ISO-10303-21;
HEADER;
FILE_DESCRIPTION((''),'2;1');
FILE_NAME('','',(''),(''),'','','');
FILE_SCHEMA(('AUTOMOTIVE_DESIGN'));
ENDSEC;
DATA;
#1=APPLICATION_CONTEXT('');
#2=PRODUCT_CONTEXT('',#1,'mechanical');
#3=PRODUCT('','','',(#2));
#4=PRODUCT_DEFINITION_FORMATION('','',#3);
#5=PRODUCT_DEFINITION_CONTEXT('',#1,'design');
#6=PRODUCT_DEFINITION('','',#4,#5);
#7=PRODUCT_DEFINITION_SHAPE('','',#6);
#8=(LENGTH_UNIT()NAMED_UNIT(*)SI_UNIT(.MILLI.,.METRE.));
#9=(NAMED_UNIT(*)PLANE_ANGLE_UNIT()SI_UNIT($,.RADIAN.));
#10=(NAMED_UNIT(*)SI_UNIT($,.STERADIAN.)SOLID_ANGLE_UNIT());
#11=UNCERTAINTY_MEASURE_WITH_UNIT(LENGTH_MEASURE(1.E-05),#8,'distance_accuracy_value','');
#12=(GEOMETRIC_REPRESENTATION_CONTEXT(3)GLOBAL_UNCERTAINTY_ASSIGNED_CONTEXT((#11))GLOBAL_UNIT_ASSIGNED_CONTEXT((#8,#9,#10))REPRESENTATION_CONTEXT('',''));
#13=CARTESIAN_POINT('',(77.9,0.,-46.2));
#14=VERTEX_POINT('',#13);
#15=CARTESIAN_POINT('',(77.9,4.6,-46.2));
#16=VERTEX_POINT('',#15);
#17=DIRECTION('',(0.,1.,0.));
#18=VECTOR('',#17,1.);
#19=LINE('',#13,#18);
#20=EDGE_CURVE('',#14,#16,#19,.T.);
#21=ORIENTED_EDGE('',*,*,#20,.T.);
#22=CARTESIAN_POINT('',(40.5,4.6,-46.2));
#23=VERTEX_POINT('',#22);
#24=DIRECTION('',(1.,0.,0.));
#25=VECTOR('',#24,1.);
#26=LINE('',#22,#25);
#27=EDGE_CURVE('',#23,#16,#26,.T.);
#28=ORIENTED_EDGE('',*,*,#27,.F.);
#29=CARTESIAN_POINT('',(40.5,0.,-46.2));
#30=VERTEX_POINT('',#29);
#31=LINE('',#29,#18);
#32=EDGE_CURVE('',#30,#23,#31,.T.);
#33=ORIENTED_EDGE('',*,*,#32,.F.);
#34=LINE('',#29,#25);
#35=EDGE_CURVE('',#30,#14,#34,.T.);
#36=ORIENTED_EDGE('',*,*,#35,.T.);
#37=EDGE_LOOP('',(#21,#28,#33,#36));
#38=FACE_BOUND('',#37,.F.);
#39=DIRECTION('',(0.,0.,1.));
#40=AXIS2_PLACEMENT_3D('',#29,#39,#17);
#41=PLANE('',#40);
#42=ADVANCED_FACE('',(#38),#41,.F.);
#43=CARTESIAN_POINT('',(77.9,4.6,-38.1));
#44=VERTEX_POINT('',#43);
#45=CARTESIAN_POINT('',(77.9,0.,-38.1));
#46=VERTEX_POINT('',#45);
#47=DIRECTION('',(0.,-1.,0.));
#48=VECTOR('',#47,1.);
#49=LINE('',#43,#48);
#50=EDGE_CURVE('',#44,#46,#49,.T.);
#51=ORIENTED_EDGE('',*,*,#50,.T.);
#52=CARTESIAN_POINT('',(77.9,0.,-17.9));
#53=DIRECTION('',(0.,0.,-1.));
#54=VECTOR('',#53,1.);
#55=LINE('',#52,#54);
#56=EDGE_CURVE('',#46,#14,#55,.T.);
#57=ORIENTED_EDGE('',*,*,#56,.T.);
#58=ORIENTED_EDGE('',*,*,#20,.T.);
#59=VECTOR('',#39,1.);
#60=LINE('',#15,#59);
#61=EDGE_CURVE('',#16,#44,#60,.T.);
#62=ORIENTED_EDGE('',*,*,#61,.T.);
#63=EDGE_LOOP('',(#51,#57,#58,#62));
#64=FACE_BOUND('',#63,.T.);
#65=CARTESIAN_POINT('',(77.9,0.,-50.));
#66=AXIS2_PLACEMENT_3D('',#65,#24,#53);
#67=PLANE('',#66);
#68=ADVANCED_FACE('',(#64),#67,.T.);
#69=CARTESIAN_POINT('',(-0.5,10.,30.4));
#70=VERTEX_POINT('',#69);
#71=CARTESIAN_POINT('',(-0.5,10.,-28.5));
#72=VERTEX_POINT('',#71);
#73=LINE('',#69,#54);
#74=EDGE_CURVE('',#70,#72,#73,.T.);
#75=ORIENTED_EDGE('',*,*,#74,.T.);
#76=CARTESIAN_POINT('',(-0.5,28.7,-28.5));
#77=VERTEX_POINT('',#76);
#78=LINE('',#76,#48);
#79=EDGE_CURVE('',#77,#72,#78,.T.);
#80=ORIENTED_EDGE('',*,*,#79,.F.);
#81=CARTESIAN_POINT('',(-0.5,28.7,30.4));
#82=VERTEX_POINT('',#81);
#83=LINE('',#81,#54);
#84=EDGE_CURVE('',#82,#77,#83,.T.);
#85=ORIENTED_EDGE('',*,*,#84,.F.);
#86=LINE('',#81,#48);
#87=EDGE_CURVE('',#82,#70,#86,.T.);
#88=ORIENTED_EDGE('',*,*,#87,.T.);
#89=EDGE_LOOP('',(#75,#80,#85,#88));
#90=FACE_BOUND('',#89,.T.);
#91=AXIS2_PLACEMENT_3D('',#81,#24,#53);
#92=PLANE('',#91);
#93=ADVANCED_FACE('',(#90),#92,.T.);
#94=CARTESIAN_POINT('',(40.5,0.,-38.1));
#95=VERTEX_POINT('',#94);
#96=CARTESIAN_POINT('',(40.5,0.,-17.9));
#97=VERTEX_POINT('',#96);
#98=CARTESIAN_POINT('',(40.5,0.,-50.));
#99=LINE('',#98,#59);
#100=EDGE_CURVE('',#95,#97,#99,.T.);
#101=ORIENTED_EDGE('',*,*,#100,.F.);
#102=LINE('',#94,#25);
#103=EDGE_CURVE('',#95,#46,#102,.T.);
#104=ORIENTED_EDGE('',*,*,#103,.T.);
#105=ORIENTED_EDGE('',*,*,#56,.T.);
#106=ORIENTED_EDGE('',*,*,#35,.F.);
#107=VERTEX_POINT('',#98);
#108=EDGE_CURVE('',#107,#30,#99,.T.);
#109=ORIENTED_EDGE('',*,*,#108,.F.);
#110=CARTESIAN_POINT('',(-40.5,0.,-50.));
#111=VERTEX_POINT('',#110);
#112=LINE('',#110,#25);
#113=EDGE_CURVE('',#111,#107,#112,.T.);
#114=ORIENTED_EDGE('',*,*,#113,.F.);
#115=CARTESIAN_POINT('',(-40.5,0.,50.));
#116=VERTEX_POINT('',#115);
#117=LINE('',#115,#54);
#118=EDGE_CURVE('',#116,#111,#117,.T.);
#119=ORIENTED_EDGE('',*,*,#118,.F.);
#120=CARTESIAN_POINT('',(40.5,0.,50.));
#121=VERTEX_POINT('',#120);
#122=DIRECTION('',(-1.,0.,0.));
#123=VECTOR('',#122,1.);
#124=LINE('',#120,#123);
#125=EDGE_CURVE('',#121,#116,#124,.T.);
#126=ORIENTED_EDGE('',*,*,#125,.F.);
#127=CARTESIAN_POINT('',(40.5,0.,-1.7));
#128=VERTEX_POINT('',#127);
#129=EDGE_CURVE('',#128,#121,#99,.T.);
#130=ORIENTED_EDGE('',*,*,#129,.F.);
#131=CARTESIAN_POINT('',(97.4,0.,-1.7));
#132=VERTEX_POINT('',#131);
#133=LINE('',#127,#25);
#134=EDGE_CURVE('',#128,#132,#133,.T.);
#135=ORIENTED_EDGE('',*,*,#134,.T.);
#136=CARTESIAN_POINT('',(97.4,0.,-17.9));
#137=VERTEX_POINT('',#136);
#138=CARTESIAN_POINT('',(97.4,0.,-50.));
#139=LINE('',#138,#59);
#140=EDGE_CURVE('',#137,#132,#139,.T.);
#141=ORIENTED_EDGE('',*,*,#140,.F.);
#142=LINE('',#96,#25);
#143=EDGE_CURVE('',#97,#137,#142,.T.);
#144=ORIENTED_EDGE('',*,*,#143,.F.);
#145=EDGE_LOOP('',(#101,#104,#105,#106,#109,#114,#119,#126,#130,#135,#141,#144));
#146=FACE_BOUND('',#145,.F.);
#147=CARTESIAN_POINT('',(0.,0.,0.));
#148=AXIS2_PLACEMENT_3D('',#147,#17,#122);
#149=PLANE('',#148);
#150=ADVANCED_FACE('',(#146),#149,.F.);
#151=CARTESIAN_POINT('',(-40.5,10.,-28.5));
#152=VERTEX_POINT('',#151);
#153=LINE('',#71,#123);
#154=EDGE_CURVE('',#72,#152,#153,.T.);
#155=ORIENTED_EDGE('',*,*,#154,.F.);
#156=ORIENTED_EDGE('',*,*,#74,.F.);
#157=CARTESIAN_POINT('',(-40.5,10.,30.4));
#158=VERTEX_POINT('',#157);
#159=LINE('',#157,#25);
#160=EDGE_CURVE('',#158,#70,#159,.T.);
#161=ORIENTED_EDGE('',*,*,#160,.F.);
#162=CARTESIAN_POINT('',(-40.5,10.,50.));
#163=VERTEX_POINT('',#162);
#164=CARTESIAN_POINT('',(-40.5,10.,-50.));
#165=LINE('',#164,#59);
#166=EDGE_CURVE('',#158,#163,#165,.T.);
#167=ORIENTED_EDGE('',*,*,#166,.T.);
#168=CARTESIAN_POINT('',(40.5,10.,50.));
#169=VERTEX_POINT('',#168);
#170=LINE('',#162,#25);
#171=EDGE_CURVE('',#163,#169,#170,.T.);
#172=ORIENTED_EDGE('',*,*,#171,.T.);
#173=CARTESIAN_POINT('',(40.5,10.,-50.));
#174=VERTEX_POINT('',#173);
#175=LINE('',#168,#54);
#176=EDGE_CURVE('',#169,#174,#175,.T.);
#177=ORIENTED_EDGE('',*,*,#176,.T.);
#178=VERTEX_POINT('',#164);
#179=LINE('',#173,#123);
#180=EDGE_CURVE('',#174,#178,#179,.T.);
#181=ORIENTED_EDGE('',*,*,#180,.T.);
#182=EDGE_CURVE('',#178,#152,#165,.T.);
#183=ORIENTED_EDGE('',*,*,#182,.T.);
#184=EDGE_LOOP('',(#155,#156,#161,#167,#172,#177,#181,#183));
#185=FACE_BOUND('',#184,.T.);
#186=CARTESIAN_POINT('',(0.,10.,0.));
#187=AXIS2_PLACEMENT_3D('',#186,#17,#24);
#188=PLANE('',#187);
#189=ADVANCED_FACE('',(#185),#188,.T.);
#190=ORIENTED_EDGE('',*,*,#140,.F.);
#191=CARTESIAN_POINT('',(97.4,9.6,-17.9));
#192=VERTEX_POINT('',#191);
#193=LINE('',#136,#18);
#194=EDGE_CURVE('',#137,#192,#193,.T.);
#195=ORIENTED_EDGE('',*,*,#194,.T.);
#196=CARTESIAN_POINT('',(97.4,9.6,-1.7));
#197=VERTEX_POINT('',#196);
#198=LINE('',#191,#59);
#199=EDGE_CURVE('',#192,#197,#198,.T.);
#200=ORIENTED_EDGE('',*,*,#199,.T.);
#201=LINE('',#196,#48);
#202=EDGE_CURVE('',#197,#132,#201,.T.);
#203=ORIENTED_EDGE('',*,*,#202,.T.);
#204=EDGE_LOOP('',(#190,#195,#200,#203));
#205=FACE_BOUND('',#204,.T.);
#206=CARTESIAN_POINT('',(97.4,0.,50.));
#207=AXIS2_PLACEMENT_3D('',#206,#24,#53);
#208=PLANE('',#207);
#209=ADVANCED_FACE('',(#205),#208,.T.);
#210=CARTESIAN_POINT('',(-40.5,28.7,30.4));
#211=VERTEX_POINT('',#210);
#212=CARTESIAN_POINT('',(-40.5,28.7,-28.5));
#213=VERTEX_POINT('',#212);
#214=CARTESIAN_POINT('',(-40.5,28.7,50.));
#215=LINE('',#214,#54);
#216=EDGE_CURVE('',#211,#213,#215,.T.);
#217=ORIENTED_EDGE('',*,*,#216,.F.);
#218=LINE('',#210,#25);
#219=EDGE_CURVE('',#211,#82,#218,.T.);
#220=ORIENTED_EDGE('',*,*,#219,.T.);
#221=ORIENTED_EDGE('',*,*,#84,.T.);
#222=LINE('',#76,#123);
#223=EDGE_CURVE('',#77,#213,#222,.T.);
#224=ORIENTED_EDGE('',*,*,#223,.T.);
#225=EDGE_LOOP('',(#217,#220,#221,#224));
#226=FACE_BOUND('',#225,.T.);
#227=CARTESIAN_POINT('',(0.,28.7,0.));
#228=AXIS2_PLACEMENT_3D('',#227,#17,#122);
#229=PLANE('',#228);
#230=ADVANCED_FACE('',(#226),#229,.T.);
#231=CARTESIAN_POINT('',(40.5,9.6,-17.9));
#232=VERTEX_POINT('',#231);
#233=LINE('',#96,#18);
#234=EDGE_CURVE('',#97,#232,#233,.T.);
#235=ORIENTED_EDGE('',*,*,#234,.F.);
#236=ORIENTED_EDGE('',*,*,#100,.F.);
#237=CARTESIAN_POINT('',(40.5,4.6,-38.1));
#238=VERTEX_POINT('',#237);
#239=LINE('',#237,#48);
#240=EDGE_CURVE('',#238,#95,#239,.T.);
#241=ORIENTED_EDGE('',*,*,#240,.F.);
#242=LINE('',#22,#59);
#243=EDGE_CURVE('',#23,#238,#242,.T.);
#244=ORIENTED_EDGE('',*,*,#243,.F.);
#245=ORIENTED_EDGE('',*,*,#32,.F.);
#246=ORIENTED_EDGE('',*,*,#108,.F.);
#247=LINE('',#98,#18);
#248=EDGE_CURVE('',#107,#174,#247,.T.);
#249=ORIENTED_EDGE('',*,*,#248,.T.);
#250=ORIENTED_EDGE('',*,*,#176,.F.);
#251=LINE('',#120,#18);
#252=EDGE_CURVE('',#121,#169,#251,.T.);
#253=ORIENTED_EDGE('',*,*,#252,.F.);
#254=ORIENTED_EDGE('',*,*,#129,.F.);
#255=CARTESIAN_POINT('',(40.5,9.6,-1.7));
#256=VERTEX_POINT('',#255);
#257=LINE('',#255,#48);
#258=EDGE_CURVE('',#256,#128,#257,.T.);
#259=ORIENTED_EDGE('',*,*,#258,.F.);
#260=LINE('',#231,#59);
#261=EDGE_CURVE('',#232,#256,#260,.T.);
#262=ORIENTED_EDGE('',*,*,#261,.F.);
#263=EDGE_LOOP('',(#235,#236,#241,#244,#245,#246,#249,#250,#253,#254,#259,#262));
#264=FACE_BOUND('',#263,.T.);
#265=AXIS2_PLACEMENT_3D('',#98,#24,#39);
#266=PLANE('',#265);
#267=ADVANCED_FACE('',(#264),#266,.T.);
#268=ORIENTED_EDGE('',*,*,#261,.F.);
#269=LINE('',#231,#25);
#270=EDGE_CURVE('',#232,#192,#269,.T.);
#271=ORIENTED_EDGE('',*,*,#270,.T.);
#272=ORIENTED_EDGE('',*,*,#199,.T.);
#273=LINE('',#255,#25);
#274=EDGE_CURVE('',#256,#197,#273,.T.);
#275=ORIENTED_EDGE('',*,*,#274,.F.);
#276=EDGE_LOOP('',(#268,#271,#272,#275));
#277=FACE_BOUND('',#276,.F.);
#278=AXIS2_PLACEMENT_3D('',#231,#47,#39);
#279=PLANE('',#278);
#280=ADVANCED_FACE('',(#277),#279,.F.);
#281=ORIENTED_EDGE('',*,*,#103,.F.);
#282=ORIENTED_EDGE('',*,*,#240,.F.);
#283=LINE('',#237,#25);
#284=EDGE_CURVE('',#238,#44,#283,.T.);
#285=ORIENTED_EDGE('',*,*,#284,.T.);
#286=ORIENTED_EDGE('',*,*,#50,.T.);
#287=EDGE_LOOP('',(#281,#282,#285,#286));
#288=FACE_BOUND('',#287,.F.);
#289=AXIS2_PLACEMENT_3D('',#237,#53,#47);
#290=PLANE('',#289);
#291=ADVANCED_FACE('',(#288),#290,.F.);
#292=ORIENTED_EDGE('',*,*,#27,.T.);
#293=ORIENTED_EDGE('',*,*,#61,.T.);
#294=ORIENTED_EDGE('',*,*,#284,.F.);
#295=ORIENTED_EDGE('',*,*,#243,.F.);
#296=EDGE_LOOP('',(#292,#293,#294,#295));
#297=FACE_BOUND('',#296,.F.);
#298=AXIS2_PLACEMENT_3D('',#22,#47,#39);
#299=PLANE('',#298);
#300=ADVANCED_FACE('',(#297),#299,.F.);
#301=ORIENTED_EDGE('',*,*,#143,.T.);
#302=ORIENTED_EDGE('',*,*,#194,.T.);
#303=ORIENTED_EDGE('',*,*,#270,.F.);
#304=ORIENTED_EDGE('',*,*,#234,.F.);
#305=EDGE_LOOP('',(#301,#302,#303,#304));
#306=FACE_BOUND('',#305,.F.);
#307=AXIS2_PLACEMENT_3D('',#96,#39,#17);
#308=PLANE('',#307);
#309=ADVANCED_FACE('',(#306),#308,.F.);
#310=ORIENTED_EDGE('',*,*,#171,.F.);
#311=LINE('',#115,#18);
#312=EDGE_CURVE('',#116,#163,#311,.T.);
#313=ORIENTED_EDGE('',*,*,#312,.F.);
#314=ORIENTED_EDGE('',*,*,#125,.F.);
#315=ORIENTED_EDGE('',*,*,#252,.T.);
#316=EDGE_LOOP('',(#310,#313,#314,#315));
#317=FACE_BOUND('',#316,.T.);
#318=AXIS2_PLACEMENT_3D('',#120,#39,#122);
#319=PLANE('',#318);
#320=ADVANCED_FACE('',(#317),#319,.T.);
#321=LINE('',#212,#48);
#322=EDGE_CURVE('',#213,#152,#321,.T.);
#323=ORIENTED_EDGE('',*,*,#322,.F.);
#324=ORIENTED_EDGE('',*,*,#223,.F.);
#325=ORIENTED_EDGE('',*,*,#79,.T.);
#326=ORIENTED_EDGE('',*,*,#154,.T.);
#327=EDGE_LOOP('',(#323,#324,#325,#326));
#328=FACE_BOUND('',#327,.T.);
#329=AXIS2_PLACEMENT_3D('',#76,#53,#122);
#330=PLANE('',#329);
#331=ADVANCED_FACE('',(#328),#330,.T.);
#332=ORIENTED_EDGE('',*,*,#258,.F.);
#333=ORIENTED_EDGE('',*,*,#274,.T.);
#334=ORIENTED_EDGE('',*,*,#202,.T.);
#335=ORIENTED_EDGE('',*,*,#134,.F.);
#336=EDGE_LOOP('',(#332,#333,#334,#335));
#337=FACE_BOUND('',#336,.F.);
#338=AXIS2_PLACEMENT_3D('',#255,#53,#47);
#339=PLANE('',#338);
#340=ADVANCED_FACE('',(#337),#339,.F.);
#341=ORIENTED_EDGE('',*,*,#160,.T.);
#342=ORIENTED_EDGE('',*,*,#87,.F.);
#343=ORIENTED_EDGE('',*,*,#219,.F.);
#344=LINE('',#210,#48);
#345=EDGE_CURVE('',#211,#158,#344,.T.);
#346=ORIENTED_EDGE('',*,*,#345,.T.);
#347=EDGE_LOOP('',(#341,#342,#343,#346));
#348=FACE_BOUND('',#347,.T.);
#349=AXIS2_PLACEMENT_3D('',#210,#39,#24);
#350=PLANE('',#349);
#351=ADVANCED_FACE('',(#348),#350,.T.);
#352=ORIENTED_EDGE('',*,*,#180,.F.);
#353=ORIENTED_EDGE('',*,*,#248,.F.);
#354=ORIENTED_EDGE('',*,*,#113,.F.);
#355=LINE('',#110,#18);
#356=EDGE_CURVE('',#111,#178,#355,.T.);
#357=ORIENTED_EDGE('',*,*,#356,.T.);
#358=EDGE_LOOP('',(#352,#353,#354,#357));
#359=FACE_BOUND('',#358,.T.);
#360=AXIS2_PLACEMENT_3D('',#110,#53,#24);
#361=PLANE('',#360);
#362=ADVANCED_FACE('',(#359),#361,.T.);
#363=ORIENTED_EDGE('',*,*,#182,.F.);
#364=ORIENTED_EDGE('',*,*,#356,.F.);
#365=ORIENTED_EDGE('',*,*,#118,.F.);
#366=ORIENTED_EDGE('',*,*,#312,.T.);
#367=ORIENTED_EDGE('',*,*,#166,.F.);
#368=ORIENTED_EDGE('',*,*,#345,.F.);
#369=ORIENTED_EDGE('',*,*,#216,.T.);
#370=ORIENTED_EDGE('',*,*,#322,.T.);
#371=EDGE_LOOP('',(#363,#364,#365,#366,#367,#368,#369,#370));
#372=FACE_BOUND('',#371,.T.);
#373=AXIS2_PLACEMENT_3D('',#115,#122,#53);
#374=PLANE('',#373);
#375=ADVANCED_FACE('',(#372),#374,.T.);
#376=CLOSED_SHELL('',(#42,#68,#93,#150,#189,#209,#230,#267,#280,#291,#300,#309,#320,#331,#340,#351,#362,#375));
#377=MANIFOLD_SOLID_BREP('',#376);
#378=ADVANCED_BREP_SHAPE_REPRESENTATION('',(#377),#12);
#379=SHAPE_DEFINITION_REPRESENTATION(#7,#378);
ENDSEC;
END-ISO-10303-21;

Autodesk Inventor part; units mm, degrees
ref_plane "YZ Plane" through (0, 0, 0) normal (1, 0, 0) x (0, 1, 0)
ref_plane "XZ Plane" through (0, 0, 0) normal (0, 1, 0) x (-1, 0, 0)
ref_plane "XY Plane" through (0, 0, 0) normal (0, 0, 1) x (1, 0, 0)
sketch "Sketch1" plane through (0, 0, 0) normal (0, 1, 0) x (-1, 0, 0)
  line L0 (-40.5, 50) -> (40.5, 50)
  line L1 (40.5, 50) -> (40.5, -50)
  line L2 (40.5, -50) -> (-40.5, -50)
  line L3 (-40.5, -50) -> (-40.5, 50)
  line L4 (-40.5, 50) -> (40.5, -50) construction
  line L5 (40.5, 50) -> (-40.5, -50) construction
  point P0 (0, 0)
  dimension "d0" = 81
  dimension "d1" = 100
extrude "Extrusion1" add sketch "Sketch1" along normal blind 28.7
sketch "Sketch2" plane through (40.5, 0, 50) normal (1, 0, 0) x (0, 0, -1)
  line L0 (100, 0) -> (0, 0) projected
  line L1 (67.9, 0) -> (67.9, 9.6)
  line L2 (67.9, 9.6) -> (51.7, 9.6)
  line L3 (51.7, 9.6) -> (51.7, 0)
  line L4 (51.7, 0) -> (67.9, 0)
  point P0 (50, 0)
  dimension "d5" = 9.6
  dimension "d6" = 16.2
extrude "Extrusion2" add sketch "Sketch2" along normal blind 56.9
sketch "Sketch3" plane through (40.5, 0, -50) normal (1, 0, 0) x (0, 0, -1)
  line L0 (-32.1, 0) -> (0, 0) projected
  line L1 (0, 0) -> (-3.8, 0)
  line L2 (-3.8, 0) -> (-3.8, 4.6)
  line L3 (-3.8, 4.6) -> (-11.9, 4.6)
  line L4 (-11.9, 4.6) -> (-11.9, 0)
  line L5 (-11.9, 0) -> (-3.8, 0)
  point P0 (-50, 0)
  dimension "d9" = 3.8
  dimension "d10" = 4.6
  dimension "d11" = 8.1
extrude "Extrusion3" add sketch "Sketch3" along normal blind 37.4
sketch "Sketch4" plane through (0, 28.7, 0) normal (0, 1, 0) x (1, 0, 0)
  line L0 (-40.5, 50) -> (-40.5, -50) projected
  line L1 (-40.5, -50) -> (-40.5, -30.4)
  line L2 (-40.5, -30.4) -> (-0.5, -30.4)
  line L3 (-0.5, -30.4) -> (-0.5, 28.5)
  line L4 (-0.5, 28.5) -> (-40.5, 28.5)
  line L5 (-40.5, 28.5) -> (-40.5, -30.4)
  line L6 (-40.5, -50) -> (40.5, -50) projected
  line L7 (-40.5, -50) -> (40.5, -50)
  line L8 (40.5, -50) -> (40.5, 50)
  line L9 (40.5, 38.1) -> (77.9, 38.1) projected
  line L10 (40.5, 50) -> (-40.5, 50) projected
  line L11 (40.5, 50) -> (-40.5, 50)
  line L12 (-40.5, 50) -> (-40.5, 28.5)
  point P0 (0, 0)
  dimension "d14" = 19.6
  dimension "d15" = 40
  dimension "d16" = 58.9
extrude "Extrusion4" cut sketch "Sketch4" against normal blind 18.7 contours L10 L8 L6 L0 L2 L3 L4
properties part number "NVidia"
